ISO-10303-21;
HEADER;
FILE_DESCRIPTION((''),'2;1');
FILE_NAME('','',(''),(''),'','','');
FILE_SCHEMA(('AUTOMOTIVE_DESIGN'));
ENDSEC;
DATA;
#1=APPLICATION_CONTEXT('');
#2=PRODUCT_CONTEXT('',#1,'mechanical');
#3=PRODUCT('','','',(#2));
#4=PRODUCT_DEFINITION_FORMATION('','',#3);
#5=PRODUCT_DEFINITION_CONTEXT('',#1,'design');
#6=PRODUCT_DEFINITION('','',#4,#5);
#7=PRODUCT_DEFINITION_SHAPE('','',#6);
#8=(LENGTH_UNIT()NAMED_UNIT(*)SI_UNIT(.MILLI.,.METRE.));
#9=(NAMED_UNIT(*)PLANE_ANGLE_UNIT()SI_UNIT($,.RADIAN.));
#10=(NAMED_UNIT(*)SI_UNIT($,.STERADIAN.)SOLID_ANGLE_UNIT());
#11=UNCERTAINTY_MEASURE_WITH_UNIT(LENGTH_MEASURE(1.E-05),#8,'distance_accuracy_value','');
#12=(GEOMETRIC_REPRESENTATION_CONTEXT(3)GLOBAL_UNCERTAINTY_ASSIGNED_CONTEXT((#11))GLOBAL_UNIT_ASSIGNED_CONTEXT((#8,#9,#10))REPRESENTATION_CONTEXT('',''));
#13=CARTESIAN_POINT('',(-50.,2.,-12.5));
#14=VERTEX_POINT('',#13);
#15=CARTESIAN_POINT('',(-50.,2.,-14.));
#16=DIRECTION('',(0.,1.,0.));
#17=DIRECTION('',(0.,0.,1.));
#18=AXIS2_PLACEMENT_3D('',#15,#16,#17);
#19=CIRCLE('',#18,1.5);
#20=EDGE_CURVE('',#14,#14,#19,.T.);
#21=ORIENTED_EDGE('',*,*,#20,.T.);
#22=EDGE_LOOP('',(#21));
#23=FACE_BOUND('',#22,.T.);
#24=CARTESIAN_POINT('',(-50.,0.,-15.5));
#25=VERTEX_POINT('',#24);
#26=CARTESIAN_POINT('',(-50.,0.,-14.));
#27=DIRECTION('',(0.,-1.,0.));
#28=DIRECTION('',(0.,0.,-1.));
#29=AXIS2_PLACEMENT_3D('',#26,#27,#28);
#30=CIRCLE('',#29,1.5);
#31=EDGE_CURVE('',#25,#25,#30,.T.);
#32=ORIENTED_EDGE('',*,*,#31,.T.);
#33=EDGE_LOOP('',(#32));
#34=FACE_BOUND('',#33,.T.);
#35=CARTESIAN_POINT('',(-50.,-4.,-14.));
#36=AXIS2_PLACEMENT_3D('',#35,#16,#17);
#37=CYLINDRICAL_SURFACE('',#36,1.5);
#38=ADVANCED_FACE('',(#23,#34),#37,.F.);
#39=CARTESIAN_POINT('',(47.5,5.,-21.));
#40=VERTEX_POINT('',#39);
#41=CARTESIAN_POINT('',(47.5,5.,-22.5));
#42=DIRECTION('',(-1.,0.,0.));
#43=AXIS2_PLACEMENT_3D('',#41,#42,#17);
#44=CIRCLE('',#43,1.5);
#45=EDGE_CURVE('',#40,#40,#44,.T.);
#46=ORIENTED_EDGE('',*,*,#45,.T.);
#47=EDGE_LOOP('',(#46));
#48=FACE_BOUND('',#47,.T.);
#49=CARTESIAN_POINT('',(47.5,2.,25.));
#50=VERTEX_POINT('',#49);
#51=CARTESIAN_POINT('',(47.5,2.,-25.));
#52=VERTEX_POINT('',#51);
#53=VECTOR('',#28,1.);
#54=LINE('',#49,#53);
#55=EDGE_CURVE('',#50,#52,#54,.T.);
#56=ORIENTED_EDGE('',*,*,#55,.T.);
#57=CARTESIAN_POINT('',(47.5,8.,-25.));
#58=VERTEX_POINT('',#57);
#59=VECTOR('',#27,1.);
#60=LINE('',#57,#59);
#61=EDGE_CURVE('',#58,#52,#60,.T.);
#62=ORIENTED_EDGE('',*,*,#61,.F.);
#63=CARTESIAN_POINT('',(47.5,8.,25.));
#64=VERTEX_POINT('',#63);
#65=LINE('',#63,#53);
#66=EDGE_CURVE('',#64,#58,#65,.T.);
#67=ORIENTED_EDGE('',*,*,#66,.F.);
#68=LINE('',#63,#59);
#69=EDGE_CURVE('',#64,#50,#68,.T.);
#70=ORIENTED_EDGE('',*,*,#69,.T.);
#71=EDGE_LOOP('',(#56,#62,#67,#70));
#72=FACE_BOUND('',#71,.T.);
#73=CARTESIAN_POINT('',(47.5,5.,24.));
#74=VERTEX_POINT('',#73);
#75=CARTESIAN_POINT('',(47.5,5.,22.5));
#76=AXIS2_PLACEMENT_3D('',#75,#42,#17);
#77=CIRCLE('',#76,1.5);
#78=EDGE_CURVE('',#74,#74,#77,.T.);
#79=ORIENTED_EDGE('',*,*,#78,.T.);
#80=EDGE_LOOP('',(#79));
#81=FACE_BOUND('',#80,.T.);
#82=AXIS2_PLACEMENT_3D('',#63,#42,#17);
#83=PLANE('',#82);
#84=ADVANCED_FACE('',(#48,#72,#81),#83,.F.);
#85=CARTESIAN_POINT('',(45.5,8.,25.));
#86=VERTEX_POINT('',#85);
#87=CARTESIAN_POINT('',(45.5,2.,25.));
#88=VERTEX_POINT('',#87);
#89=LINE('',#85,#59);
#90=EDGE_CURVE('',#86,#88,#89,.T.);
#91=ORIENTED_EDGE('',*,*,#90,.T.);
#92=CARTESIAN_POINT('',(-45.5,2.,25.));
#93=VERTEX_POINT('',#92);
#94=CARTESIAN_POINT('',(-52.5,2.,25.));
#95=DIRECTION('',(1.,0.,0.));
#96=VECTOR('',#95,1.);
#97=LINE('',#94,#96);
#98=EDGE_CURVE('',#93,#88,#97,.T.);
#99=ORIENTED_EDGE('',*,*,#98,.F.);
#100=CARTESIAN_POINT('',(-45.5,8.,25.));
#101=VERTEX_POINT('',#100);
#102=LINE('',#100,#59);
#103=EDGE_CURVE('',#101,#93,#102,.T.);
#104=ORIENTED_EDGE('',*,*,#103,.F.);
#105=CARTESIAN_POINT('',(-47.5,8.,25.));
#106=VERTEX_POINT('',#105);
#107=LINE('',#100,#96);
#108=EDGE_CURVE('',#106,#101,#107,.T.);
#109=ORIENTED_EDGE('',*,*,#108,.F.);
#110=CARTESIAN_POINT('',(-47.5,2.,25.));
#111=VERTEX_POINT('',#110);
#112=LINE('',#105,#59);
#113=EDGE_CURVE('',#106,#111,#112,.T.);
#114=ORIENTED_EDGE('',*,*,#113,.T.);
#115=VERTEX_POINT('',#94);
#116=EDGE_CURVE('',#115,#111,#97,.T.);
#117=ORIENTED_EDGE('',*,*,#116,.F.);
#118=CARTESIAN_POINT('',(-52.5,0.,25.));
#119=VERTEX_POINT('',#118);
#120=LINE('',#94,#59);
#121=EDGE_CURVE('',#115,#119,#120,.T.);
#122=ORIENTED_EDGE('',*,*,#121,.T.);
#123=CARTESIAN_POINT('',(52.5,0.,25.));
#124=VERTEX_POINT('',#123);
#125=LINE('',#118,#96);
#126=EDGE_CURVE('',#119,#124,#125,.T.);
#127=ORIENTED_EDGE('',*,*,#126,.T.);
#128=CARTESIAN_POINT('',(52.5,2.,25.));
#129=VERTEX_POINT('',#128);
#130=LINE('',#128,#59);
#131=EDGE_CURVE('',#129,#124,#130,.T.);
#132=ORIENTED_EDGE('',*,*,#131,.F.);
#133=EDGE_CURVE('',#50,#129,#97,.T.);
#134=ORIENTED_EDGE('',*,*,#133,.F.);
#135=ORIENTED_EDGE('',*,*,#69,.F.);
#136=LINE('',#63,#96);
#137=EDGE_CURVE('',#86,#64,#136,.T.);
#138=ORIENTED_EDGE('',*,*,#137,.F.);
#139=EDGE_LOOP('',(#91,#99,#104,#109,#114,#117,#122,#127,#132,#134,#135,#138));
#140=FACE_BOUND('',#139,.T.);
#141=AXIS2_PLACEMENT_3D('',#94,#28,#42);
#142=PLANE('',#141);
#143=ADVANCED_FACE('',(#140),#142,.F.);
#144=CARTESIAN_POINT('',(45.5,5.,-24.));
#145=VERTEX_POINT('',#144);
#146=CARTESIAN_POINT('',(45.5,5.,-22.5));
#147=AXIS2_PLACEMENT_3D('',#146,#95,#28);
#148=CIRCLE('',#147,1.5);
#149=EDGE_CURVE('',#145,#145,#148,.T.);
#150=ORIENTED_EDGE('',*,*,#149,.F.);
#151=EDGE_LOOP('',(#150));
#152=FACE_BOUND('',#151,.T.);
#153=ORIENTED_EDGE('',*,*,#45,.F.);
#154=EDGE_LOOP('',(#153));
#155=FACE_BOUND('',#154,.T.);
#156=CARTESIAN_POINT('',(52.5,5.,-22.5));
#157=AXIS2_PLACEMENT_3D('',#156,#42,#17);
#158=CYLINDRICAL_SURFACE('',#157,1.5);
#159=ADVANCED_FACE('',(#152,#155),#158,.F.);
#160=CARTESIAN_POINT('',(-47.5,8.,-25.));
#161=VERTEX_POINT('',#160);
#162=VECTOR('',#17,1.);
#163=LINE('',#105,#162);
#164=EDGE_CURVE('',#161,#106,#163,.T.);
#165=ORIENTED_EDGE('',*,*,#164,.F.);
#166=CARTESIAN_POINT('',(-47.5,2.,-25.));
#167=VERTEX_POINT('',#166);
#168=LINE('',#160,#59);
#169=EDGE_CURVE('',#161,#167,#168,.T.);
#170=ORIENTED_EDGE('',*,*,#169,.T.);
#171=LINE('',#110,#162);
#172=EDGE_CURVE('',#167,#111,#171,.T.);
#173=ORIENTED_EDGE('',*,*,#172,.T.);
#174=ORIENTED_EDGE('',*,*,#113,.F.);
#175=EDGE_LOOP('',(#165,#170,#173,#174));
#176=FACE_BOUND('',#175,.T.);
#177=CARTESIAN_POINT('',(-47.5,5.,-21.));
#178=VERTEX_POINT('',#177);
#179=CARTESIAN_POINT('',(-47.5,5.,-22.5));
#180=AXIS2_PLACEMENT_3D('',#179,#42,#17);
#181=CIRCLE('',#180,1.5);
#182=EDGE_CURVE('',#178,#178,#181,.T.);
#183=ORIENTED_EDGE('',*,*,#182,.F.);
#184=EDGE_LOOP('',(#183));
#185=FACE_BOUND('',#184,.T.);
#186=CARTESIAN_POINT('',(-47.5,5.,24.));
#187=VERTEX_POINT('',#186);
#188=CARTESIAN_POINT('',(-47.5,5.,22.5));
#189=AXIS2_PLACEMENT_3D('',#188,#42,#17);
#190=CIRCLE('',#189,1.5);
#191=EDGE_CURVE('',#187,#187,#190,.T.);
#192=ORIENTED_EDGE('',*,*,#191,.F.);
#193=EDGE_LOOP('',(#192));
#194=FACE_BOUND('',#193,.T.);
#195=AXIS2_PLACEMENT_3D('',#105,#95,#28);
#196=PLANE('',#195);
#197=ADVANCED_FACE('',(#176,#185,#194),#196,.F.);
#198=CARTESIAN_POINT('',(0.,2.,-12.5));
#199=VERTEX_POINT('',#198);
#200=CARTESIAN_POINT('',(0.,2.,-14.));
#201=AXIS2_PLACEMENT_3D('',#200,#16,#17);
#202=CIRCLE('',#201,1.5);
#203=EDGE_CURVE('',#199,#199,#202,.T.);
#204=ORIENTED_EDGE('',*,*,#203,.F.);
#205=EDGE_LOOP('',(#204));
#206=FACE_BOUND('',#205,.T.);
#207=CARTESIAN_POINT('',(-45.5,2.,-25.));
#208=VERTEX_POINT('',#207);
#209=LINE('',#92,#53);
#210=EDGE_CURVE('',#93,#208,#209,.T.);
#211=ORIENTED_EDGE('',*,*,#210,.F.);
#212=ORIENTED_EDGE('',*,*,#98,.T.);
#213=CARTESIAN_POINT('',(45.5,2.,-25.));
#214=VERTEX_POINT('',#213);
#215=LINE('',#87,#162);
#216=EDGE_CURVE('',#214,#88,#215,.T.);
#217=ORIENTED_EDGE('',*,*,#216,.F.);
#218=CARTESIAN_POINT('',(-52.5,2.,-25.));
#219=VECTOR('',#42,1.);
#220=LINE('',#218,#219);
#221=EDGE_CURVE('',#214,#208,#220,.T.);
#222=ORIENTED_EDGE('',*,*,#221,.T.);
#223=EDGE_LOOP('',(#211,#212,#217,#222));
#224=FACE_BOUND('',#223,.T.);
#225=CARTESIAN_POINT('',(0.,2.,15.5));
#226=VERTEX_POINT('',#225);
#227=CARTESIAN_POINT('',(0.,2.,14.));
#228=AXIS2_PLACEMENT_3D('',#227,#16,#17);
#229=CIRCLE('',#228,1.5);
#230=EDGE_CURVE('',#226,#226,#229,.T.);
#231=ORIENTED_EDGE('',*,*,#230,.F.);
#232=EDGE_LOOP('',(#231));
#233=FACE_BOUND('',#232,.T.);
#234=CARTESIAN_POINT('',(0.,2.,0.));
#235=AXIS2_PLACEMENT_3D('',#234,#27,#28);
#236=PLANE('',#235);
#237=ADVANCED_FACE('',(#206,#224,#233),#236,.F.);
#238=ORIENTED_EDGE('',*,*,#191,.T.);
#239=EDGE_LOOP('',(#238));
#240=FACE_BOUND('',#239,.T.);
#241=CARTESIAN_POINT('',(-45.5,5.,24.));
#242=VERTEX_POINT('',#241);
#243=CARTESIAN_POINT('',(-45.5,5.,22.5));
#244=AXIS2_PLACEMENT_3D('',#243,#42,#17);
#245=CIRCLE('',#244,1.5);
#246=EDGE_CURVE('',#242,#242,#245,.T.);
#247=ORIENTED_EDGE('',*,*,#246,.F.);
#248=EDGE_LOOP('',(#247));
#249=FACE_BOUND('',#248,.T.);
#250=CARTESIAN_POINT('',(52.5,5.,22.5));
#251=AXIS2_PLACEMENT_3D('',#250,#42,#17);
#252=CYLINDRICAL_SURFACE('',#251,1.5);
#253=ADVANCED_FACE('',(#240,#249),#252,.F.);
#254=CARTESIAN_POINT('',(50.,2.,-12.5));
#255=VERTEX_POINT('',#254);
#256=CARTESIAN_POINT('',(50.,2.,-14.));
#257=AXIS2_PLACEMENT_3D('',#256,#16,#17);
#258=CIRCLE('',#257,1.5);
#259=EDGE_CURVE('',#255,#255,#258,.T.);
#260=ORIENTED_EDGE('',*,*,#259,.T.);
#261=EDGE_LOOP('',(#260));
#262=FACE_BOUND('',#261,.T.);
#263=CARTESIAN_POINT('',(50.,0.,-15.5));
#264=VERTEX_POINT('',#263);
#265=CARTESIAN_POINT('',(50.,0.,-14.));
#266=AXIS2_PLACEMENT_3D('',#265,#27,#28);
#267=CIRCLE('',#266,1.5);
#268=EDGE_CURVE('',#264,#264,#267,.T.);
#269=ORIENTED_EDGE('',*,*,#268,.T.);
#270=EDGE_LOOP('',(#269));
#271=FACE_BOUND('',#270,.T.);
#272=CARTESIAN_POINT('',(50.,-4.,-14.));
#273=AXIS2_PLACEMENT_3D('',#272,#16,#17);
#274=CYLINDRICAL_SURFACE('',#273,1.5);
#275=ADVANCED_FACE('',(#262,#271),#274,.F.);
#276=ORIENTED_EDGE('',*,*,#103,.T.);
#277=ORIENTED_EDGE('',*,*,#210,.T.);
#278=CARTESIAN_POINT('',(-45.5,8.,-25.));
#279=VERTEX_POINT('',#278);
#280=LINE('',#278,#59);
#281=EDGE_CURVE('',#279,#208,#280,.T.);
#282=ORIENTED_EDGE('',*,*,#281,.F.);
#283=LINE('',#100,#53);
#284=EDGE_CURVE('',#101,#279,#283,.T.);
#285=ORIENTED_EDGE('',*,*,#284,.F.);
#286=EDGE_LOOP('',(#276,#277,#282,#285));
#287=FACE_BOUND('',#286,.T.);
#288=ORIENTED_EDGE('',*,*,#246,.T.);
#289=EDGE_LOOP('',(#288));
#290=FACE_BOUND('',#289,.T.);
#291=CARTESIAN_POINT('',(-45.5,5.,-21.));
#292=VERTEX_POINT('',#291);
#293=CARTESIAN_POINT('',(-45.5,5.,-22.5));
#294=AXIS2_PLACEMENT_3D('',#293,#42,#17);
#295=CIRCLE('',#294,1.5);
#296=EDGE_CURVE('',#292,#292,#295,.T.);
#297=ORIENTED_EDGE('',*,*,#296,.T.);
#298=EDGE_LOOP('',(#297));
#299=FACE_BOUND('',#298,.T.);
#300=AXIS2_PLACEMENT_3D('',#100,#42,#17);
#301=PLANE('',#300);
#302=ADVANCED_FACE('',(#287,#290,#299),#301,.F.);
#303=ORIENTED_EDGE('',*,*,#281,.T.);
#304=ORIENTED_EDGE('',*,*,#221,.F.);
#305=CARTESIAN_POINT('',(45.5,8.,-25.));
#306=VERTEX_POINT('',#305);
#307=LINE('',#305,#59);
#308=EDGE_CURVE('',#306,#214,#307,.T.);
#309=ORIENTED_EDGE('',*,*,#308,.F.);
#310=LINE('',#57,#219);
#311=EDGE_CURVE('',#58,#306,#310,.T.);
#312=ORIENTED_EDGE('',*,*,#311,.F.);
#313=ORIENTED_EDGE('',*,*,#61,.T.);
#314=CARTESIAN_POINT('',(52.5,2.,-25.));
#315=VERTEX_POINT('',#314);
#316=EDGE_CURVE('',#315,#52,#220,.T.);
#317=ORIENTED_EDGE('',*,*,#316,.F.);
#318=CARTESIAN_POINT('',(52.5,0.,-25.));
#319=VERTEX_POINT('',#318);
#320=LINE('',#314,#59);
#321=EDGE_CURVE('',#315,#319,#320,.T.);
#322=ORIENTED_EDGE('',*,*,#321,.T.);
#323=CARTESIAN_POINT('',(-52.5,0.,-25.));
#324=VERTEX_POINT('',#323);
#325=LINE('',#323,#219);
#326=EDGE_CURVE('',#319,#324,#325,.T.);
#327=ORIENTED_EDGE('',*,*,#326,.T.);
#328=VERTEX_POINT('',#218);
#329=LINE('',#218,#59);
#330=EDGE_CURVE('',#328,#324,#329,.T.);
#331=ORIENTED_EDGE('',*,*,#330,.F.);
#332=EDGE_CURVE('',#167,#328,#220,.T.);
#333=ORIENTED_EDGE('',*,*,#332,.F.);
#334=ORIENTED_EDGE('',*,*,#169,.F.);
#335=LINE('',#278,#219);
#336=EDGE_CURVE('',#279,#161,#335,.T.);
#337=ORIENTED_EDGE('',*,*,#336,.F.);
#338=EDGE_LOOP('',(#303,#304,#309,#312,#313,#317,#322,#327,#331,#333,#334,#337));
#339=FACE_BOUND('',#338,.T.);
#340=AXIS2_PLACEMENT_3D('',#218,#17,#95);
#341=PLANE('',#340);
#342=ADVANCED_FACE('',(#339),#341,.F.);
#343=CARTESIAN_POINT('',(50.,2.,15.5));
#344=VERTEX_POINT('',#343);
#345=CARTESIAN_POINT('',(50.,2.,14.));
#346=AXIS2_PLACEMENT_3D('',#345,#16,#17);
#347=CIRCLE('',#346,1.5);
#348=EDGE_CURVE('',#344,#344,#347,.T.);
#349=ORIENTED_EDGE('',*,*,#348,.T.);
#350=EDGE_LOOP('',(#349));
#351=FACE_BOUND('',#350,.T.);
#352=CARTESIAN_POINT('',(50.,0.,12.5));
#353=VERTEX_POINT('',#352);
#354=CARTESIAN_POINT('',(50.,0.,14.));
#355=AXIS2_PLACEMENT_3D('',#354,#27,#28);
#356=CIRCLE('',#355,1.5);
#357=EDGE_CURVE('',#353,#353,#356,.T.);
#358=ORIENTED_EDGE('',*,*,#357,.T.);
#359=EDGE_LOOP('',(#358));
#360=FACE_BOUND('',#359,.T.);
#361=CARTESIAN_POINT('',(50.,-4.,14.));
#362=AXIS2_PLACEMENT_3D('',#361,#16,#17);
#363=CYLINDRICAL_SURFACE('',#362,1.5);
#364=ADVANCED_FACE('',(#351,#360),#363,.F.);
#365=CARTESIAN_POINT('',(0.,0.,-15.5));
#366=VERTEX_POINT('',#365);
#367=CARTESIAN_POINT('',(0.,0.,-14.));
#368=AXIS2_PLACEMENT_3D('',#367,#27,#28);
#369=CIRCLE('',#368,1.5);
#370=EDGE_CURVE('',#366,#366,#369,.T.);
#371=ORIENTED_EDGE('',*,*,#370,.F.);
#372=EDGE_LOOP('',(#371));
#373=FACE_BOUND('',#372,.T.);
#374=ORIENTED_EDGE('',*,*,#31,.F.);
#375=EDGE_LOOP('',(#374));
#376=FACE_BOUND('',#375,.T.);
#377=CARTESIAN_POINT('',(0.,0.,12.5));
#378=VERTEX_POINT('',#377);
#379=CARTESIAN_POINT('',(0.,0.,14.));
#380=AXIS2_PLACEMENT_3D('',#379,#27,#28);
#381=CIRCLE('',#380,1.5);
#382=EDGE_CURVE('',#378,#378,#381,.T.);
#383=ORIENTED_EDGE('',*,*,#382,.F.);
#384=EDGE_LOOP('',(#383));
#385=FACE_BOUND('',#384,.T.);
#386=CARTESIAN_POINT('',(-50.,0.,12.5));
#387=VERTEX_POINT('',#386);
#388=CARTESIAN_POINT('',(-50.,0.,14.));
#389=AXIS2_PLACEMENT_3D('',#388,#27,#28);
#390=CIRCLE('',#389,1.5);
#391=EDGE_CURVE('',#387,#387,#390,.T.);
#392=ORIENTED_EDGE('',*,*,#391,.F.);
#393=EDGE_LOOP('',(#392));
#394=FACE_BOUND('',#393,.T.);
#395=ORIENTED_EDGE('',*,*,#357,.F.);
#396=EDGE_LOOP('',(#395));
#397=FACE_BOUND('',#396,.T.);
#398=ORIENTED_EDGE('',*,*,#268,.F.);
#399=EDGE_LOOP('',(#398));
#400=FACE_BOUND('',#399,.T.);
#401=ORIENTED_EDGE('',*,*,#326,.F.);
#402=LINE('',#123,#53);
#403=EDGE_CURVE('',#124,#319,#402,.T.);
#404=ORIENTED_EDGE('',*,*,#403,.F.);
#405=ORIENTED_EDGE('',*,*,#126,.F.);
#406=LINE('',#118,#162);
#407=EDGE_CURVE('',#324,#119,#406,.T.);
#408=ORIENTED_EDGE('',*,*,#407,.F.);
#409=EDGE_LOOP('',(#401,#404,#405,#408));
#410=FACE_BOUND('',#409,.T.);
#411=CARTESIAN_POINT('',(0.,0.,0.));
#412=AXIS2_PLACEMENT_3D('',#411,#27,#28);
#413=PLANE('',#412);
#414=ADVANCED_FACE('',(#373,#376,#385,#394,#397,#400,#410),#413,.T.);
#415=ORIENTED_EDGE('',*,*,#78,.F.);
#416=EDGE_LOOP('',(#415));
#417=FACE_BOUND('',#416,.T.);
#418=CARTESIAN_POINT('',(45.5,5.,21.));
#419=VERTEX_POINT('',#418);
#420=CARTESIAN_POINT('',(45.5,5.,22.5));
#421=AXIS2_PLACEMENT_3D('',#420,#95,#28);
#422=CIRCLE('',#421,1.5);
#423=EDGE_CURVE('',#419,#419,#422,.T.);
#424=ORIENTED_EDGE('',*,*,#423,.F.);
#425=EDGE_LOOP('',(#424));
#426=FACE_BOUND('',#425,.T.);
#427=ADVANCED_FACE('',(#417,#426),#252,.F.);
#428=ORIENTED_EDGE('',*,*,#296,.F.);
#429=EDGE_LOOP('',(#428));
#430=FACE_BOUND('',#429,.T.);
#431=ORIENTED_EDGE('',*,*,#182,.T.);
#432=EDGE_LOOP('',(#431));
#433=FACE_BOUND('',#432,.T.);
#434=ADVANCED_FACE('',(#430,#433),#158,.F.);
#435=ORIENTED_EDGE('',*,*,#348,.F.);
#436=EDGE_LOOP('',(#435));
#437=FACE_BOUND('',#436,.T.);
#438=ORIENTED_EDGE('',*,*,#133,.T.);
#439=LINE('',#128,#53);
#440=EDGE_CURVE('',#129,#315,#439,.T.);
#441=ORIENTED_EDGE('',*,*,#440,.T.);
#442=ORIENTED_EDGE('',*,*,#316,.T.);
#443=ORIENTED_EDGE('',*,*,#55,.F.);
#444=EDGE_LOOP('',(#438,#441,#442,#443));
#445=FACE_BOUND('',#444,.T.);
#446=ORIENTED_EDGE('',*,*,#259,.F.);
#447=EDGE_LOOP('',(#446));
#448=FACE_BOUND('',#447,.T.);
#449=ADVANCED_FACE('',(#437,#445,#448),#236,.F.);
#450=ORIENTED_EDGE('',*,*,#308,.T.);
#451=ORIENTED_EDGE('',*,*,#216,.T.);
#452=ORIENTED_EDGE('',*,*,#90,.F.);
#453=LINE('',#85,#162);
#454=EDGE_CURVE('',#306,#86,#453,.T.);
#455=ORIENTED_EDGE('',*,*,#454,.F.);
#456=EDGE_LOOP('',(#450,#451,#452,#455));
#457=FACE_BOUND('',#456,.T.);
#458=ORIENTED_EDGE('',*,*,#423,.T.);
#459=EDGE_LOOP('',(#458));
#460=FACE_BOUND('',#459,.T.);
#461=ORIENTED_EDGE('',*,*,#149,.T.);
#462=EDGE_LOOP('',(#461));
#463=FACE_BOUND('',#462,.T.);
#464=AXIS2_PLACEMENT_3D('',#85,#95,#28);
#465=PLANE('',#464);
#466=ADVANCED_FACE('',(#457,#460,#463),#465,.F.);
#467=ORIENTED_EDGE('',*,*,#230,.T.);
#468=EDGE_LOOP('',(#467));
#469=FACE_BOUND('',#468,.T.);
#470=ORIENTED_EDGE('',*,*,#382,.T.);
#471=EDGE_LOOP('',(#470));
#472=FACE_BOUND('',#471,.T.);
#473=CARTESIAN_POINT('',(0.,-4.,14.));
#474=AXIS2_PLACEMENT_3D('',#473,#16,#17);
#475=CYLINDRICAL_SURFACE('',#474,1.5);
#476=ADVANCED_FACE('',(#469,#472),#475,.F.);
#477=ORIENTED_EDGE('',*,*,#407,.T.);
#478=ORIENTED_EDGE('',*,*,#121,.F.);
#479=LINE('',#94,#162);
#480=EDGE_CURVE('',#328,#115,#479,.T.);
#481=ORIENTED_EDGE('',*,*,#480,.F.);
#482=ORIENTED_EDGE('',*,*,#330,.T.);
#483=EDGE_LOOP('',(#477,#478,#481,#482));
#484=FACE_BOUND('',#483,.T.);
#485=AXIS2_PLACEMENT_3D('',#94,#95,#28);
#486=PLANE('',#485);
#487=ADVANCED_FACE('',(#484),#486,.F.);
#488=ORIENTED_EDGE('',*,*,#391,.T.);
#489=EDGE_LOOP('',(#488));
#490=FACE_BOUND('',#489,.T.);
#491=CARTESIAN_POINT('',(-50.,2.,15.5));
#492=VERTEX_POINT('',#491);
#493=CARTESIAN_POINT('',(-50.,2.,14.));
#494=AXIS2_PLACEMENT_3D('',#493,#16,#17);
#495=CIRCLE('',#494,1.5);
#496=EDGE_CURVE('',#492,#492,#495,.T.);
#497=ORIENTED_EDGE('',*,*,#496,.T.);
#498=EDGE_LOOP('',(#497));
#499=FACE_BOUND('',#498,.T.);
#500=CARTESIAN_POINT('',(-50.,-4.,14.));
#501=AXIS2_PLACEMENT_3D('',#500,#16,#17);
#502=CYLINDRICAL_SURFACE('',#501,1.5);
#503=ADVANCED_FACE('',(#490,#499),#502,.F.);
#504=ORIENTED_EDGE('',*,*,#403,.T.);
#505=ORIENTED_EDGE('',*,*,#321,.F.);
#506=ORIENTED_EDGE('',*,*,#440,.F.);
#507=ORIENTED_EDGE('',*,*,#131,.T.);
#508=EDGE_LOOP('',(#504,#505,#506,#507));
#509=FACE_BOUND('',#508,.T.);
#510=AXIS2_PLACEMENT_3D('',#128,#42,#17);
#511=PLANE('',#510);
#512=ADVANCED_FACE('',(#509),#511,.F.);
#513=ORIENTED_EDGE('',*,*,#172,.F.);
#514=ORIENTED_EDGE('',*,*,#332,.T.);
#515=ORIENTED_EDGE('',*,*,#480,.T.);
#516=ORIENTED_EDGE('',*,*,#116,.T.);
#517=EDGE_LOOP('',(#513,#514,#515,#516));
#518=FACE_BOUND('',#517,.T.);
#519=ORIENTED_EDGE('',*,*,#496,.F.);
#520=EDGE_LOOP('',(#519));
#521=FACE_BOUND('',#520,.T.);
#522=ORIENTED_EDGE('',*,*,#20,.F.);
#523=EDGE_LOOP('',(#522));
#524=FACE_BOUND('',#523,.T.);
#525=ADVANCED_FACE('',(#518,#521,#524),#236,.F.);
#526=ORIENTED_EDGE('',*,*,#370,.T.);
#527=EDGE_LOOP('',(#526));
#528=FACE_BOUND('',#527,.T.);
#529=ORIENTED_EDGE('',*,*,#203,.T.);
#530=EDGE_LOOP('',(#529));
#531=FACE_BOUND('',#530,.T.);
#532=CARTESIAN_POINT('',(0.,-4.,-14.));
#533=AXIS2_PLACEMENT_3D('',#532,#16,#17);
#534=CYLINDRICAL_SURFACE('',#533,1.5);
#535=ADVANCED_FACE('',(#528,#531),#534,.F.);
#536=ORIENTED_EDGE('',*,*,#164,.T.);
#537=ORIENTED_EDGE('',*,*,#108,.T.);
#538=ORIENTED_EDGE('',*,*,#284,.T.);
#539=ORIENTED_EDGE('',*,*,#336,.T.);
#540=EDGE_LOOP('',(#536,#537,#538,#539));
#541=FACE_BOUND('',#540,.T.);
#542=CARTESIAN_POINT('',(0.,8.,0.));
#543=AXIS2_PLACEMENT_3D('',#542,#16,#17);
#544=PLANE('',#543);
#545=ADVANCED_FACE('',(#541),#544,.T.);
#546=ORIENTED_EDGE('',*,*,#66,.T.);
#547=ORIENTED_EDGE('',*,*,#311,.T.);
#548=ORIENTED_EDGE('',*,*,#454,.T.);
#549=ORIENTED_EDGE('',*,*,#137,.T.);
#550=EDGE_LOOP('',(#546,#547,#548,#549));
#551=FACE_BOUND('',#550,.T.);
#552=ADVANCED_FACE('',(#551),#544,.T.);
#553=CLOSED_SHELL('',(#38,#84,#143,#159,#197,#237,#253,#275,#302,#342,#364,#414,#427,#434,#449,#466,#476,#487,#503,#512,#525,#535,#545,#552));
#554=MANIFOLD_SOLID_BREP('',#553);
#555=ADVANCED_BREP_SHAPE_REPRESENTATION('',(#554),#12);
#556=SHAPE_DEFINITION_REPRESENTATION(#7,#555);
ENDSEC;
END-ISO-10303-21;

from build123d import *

# Parameters (mm, degrees)
SKETCH_1_W          = 105
SKETCH_1_H          = 50
EXTRUDE_1_DEPTH     = 2
SKETCH_6_W          = 2
SKETCH_6_H          = 50
EXTRUDE_3_DEPTH     = 6
SKETCH_7_R          = 1.5
CUT_EXTRUDE_3_DEPTH = 6
SKETCH_8_R          = 1.5
CUT_EXTRUDE_4_DEPTH = 100


with BuildPart() as part:
    # 草图1 → 凸台-拉伸1 (new body)
    with BuildSketch(Plane(origin=(0, 0, 0), x_dir=(1, 0, 0), z_dir=(0, 1, 0))):
        Rectangle(SKETCH_1_W, SKETCH_1_H)
    extrude(amount=EXTRUDE_1_DEPTH)

    # 草图6 → 凸台-拉伸3 (add)
    with BuildSketch(Plane(origin=(0, 2, 0), x_dir=(1, 0, 0), z_dir=(0, 1, 0))):
        with Locations((-46.5, 0)):
            Rectangle(SKETCH_6_W, SKETCH_6_H)
        with Locations((46.5, 0)):
            Rectangle(SKETCH_6_W, SKETCH_6_H)
    extrude(amount=EXTRUDE_3_DEPTH)

    # 草图7 → 切除-拉伸3 (cut)
    with BuildSketch(Plane(origin=(0, 2, 0), x_dir=(1, 0, 0), z_dir=(0, 1, 0))):
        with Locations(Location((-50, 14, 0), (0, 0, 270))):
            Circle(SKETCH_7_R)
        with Locations(Location((-50, -14, 0), (0, 0, 270))):
            Circle(SKETCH_7_R)
        with Locations(Location((50, 14, 0), (0, 0, 270))):
            Circle(SKETCH_7_R)
        with Locations(Location((50, -14, 0), (0, 0, 270))):
            Circle(SKETCH_7_R)
        with Locations(Location((0, 14, 0), (0, 0, 270))):
            Circle(SKETCH_7_R)
        with Locations(Location((0, -14, 0), (0, 0, 270))):
            Circle(SKETCH_7_R)
    extrude(amount=-CUT_EXTRUDE_3_DEPTH, mode=Mode.SUBTRACT)

    # 草图8 → 切除-拉伸4 (cut)
    with BuildSketch(Plane.ZY.offset(47.5)):
        with Locations((-22.5, 5)):
            Circle(SKETCH_8_R)
        with Locations((22.5, 5)):
            Circle(SKETCH_8_R)
    extrude(amount=-CUT_EXTRUDE_4_DEPTH, mode=Mode.SUBTRACT)


solid = part.part
